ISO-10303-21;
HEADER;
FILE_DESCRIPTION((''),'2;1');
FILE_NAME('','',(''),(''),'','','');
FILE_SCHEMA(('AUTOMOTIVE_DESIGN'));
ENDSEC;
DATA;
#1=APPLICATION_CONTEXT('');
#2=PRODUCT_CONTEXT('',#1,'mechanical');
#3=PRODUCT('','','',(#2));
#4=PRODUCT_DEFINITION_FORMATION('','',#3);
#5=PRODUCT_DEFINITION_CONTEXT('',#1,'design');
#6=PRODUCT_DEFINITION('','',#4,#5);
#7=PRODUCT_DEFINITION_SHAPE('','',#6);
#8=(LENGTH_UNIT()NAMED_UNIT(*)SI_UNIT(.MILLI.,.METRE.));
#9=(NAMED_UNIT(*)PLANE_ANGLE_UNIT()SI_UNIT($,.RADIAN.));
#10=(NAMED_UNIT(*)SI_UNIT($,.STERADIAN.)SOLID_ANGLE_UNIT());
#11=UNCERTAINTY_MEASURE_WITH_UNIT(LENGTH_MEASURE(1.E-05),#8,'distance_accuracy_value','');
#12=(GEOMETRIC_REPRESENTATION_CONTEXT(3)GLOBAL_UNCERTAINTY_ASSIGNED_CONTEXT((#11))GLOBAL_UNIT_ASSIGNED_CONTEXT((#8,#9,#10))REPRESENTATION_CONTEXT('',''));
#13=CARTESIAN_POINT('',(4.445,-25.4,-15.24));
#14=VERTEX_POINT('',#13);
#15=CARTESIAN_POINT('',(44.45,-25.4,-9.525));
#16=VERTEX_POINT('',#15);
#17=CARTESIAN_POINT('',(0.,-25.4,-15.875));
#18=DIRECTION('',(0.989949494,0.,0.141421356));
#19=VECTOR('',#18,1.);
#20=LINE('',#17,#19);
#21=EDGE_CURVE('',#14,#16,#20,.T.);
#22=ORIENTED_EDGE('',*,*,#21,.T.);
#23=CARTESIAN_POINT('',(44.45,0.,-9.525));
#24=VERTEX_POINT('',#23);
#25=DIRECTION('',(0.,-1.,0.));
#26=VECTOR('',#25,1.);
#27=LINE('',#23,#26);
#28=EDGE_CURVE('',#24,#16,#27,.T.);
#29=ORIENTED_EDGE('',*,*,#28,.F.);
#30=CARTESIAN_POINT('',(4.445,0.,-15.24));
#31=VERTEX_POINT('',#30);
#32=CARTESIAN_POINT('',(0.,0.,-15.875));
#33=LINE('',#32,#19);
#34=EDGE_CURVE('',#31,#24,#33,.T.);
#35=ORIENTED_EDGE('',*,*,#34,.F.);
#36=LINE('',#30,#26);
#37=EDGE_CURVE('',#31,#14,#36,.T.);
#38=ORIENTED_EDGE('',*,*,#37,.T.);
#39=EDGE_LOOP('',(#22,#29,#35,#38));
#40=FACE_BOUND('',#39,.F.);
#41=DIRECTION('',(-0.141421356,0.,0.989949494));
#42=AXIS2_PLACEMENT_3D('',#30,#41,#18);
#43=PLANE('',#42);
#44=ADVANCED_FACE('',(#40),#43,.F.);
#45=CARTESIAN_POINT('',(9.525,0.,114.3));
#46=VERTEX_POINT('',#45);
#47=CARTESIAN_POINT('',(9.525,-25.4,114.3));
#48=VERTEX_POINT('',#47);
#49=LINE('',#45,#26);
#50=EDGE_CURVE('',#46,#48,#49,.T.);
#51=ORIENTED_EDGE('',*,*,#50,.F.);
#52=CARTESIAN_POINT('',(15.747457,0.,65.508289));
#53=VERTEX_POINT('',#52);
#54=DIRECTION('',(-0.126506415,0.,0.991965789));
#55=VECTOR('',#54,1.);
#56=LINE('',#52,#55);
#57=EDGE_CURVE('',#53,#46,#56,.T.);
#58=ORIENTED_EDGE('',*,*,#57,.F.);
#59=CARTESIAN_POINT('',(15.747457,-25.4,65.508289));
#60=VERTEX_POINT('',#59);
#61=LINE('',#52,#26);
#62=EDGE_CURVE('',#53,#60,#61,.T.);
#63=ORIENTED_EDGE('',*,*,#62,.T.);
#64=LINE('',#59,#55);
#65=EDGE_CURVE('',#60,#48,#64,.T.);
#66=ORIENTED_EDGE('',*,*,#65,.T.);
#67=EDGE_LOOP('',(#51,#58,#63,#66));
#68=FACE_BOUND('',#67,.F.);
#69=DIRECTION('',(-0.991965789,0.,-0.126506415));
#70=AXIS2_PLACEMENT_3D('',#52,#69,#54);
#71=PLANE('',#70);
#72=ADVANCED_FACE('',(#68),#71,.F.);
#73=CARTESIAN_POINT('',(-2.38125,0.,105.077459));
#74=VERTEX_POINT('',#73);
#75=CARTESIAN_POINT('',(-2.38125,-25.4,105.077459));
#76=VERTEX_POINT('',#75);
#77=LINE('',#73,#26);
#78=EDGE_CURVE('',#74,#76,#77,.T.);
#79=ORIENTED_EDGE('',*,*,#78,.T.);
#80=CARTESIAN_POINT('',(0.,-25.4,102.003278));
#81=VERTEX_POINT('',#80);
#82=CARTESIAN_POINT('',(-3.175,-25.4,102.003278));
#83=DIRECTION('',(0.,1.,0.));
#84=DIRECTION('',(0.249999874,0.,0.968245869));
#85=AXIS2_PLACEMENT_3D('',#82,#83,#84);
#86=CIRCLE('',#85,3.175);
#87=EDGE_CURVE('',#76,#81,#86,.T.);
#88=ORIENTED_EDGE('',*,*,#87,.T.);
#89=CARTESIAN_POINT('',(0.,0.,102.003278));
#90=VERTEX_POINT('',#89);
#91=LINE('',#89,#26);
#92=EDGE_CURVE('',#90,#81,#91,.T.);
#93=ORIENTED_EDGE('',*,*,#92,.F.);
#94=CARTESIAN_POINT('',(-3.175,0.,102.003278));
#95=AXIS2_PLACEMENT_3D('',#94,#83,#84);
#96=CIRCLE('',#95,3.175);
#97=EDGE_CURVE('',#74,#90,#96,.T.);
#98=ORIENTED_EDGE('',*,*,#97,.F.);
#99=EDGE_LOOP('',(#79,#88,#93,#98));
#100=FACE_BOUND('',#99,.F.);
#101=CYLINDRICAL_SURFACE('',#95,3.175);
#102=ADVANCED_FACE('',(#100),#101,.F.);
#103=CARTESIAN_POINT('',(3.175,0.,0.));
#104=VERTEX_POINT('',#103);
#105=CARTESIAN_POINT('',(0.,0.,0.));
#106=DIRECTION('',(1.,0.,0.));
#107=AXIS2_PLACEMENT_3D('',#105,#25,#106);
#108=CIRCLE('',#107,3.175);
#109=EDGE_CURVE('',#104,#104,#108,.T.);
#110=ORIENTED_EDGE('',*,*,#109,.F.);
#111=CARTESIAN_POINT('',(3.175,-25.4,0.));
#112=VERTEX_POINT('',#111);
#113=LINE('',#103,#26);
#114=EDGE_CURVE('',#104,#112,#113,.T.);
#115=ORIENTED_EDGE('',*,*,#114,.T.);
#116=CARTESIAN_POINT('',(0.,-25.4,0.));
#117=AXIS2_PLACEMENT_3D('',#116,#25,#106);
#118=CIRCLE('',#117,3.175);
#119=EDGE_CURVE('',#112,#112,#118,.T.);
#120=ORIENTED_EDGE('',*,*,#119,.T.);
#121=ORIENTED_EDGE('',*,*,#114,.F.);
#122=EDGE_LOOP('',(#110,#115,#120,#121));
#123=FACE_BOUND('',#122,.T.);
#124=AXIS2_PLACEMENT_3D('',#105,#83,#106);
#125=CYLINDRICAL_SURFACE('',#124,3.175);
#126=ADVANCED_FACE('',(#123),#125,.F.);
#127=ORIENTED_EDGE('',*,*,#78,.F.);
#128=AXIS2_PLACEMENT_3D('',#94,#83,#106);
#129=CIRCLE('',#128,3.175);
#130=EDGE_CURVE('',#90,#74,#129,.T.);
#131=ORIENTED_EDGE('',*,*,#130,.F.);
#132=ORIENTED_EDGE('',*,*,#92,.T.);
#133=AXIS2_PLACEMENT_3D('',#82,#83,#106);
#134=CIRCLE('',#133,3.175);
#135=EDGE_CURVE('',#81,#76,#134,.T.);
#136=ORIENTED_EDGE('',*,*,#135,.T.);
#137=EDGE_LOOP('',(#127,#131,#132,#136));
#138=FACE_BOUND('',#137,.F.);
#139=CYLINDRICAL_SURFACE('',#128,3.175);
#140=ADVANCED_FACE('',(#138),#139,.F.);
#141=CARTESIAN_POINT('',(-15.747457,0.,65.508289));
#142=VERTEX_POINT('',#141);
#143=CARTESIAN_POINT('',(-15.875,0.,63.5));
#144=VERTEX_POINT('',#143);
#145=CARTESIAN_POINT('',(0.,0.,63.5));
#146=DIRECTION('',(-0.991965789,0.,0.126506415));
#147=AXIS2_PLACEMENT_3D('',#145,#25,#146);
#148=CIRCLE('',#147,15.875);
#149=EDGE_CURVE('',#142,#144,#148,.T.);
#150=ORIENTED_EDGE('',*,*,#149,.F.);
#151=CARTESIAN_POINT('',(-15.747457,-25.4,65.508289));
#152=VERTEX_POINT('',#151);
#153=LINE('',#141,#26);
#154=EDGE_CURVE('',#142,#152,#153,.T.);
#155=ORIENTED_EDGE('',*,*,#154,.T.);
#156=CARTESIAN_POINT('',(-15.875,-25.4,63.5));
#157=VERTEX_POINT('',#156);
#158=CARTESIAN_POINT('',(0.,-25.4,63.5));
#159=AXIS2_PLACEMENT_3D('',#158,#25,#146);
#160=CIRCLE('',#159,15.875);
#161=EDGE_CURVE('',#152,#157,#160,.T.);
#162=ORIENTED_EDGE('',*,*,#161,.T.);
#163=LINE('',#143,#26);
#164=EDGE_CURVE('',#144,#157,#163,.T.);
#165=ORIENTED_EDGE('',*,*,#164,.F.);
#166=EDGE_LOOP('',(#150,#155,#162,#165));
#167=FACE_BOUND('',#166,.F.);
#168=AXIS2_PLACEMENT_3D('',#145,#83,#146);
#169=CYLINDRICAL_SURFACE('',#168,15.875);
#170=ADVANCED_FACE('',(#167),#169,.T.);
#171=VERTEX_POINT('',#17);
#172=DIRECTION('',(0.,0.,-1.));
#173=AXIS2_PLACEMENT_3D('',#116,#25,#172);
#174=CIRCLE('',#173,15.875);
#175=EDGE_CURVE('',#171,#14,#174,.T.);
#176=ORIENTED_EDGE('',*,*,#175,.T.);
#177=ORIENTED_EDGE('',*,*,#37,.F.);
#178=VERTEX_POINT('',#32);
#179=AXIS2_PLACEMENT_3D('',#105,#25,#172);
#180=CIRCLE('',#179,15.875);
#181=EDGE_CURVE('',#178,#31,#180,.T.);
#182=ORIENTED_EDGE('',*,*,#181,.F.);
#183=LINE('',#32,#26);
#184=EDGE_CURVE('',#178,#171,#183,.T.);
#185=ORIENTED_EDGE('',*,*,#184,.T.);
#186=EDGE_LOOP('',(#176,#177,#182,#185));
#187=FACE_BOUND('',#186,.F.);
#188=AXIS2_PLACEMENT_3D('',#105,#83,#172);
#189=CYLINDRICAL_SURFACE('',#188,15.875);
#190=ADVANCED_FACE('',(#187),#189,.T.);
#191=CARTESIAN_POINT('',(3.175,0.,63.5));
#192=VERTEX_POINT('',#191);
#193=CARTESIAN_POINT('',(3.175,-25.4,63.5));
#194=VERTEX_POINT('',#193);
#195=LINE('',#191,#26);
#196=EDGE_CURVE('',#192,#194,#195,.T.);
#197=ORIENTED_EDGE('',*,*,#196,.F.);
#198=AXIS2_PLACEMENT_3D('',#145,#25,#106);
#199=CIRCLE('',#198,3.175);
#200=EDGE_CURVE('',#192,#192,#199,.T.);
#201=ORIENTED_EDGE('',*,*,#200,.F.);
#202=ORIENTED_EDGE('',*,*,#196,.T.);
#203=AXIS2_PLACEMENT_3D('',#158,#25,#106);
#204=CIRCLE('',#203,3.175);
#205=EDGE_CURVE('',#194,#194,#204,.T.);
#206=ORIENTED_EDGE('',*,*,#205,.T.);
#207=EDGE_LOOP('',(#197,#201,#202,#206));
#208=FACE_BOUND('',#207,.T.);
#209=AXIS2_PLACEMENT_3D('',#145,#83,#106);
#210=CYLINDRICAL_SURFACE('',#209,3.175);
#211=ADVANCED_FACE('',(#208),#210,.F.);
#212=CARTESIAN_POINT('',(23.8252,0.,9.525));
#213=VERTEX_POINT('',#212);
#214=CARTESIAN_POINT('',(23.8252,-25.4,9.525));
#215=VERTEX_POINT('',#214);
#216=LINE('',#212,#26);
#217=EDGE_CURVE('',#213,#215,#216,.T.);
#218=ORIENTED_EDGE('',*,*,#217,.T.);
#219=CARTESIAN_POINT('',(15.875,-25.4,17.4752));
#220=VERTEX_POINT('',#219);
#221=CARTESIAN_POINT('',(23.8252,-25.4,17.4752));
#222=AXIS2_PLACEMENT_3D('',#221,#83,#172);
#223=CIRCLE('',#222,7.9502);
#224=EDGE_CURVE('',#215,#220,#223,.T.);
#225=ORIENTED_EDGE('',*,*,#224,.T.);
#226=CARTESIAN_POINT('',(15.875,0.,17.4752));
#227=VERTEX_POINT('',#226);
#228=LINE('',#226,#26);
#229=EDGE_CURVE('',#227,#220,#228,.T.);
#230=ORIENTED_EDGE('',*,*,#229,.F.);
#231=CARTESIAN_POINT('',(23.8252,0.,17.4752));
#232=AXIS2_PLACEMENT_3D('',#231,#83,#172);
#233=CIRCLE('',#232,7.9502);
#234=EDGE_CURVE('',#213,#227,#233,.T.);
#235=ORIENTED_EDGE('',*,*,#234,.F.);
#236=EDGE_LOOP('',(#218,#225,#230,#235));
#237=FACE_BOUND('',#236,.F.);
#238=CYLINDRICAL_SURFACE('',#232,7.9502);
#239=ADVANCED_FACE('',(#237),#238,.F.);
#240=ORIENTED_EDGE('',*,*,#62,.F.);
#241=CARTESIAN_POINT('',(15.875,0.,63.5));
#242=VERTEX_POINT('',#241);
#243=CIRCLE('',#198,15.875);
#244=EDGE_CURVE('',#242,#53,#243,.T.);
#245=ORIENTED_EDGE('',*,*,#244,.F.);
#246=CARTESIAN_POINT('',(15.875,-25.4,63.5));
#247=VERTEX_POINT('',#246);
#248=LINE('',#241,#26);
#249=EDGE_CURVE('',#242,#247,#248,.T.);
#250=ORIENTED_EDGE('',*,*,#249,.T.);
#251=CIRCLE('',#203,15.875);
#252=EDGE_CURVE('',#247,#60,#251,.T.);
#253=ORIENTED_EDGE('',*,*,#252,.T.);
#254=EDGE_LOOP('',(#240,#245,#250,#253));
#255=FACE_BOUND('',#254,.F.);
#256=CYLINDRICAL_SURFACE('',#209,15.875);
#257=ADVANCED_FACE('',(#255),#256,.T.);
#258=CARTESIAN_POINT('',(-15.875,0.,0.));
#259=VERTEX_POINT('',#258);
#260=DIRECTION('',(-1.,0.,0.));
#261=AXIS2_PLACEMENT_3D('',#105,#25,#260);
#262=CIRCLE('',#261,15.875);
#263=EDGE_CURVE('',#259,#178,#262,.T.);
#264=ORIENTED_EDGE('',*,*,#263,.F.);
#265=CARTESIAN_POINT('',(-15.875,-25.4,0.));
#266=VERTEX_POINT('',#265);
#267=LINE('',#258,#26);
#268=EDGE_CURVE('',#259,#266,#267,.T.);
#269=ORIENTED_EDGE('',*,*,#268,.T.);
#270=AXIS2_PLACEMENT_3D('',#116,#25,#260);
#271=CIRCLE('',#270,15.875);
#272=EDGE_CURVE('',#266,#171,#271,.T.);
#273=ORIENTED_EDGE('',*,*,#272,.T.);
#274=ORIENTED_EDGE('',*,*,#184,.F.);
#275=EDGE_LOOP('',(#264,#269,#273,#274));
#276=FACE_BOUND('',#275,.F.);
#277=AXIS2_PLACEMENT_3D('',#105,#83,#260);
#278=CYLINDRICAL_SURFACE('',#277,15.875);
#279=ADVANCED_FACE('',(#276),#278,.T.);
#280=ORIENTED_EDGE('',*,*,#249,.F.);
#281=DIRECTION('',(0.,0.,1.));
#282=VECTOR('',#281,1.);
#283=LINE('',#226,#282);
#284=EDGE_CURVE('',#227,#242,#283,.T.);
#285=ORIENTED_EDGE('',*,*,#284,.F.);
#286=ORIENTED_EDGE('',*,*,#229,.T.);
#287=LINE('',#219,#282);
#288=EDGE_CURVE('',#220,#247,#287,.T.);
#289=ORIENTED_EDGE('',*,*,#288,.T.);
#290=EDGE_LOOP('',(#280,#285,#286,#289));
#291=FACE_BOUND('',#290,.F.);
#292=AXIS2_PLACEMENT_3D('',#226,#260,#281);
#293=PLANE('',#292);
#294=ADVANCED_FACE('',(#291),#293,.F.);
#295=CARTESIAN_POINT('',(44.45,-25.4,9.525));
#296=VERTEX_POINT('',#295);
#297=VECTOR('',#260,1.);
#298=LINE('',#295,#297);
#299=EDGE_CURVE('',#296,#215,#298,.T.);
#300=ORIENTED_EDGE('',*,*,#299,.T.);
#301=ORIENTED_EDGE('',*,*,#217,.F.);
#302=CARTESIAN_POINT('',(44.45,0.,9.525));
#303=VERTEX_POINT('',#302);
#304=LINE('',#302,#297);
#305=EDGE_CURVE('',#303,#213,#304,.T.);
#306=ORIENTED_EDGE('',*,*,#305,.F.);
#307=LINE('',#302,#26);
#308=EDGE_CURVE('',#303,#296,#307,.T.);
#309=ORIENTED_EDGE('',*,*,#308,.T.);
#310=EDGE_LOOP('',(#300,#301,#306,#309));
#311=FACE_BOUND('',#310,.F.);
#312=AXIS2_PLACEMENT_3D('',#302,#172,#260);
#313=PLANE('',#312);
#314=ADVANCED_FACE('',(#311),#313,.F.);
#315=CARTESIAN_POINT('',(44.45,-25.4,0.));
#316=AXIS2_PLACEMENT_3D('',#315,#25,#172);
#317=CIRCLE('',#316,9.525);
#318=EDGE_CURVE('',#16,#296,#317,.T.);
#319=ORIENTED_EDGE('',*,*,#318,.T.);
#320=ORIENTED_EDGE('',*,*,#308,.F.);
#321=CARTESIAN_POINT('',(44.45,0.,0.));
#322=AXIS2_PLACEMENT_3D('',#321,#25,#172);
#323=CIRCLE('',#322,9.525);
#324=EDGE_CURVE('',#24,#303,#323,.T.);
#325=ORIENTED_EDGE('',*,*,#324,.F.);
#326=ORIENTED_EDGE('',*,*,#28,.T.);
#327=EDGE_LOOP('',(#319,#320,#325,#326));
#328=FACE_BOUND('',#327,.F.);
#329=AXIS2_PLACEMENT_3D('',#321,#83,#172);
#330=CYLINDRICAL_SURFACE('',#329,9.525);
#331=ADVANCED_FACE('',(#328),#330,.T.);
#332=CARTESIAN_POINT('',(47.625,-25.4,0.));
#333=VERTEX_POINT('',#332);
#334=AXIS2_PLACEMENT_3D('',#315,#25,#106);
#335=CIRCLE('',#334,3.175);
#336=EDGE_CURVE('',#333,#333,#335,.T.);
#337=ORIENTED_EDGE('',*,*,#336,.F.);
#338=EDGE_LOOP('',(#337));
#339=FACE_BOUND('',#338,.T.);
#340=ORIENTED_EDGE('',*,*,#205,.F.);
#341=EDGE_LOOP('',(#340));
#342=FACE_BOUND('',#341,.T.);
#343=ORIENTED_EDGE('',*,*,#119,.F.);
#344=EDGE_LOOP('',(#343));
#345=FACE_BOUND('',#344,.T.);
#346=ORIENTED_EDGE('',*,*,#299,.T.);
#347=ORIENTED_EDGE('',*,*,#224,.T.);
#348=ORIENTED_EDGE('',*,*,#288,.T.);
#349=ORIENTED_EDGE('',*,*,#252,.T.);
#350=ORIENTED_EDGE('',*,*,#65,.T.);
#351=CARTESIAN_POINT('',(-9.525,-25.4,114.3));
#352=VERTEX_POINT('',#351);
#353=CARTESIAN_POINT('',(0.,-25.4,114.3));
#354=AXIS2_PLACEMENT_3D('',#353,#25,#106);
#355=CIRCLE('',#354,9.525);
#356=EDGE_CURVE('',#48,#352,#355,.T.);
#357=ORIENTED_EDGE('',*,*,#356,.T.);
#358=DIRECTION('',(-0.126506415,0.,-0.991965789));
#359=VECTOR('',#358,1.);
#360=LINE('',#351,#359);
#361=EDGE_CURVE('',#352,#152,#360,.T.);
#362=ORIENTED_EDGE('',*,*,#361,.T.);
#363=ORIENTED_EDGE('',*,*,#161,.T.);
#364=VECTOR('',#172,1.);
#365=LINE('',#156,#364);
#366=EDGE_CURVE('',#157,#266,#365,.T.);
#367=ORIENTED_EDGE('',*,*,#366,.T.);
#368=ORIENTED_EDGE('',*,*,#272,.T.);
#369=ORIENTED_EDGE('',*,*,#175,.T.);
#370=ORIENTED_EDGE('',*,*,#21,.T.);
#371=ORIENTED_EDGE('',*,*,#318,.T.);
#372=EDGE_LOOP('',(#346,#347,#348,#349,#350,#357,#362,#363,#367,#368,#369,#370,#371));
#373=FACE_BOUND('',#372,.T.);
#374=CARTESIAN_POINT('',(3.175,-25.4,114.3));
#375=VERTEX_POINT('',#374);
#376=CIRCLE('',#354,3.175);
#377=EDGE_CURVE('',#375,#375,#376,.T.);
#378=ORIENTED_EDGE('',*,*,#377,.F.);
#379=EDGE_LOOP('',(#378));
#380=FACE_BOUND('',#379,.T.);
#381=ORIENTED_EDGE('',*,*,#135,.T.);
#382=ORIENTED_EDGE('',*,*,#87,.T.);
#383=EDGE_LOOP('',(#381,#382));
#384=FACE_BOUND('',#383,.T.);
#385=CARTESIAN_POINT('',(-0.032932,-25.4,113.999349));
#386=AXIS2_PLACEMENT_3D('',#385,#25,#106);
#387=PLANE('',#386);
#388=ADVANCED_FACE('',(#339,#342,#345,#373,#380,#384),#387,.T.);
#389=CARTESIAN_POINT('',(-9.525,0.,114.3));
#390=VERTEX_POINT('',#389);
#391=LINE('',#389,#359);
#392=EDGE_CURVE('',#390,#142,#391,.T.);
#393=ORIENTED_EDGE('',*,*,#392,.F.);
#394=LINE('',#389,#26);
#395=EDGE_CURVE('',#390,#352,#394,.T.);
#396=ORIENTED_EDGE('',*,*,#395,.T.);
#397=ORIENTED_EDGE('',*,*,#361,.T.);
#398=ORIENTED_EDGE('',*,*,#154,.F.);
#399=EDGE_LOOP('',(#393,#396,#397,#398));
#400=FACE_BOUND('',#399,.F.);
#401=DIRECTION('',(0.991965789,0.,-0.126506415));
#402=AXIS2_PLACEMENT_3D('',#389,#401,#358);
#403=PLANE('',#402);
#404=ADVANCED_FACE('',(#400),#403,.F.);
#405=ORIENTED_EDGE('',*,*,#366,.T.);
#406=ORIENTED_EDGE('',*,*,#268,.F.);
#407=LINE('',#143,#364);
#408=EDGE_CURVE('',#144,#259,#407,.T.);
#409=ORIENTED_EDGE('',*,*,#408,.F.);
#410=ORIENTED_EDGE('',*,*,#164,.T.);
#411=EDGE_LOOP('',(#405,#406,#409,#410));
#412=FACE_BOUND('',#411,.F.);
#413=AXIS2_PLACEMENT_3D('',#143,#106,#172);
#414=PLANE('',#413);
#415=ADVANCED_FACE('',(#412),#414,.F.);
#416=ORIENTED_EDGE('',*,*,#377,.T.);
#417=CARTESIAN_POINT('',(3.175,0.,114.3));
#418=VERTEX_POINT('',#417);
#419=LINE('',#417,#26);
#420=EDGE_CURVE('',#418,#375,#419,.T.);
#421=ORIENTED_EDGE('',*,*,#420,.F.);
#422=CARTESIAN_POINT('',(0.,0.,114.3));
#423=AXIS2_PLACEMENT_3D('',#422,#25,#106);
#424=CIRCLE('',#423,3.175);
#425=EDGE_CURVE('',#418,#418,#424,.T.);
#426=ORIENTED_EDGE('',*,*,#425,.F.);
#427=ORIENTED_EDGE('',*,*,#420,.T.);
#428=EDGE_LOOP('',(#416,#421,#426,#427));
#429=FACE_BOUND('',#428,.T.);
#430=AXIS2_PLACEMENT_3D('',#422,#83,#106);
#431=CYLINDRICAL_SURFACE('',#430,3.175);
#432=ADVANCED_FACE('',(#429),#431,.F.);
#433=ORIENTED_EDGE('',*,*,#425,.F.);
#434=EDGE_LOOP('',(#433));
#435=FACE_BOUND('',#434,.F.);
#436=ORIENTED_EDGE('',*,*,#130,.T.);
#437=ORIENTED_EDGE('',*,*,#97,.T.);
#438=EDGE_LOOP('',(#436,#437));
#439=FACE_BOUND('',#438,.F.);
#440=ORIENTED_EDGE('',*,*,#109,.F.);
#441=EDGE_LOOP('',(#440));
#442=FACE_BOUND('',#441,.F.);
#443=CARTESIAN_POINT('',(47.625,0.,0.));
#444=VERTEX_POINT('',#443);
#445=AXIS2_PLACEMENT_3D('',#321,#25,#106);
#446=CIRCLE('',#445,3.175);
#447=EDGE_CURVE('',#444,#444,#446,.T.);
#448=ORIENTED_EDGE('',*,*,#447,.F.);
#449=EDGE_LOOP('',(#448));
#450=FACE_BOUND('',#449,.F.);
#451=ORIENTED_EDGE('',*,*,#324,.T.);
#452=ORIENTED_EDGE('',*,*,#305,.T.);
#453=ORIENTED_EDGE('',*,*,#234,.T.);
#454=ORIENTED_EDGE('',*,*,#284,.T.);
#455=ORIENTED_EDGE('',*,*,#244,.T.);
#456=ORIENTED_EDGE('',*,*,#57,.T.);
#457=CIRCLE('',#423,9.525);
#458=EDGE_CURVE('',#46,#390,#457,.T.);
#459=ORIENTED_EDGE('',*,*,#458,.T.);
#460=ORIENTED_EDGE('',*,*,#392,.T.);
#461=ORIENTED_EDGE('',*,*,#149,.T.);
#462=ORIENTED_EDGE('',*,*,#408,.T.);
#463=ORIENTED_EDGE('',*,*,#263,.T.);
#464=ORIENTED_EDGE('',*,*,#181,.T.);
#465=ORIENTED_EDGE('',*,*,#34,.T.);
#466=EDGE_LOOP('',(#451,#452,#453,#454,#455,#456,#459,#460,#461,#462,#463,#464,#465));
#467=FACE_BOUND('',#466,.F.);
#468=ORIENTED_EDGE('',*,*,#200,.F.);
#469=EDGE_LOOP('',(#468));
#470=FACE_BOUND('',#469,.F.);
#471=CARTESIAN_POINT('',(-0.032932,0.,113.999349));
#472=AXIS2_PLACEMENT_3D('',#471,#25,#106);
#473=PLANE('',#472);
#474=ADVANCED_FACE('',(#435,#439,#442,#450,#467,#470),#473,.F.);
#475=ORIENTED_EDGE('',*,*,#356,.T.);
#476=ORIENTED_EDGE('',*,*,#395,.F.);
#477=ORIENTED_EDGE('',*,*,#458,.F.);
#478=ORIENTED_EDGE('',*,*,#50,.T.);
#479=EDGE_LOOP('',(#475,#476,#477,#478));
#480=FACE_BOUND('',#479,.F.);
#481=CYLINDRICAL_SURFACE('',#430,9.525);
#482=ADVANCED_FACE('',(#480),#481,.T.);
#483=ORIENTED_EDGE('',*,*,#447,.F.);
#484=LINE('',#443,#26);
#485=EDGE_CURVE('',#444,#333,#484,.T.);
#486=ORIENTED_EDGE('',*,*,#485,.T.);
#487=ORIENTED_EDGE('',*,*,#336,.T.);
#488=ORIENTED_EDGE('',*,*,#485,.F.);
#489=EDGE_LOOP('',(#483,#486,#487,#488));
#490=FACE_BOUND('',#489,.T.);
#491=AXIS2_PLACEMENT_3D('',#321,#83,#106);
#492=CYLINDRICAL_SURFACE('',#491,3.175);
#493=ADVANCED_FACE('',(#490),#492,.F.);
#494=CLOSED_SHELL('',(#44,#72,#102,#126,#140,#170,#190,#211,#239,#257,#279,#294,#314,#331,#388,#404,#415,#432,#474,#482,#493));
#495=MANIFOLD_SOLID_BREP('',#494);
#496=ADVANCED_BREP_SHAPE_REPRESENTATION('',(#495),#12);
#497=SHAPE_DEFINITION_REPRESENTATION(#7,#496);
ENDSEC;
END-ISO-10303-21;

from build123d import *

# Parameters (mm, degrees)
F0_R     = 3.175
F1_DEPTH = 25.4


with BuildPart() as f1:
    # F0 (on Front) → F1 (new body)
    with BuildSketch(Plane.XZ):
        with BuildLine():
            ThreePointArc((-2.3812504012, 105.0774585104), (5.8328472862, 106.7698261948), (9.525, 114.3))
            ThreePointArc((9.525, 114.3), (0, 123.825), (-9.525, 114.3))
            ThreePointArc((-9.525, 114.3), (-7.5301738052, 108.4671527138), (-2.3812504012, 105.0774585104))
        make_face()
        with Locations((0, 114.3)):
            Circle(F0_R, mode=Mode.SUBTRACT)
        with BuildLine():
            Line((15.7474569047, 65.5082893304), (9.525, 114.3))
            ThreePointArc((9.525, 114.3), (5.8328472862, 106.7698261948), (-2.3812504012, 105.0774585104))
            ThreePointArc((-2.3812504012, 105.0774585104), (-7.5301738052, 108.4671527138), (-9.525, 114.3))
            Line((-9.525, 114.3), (-15.7474569047, 65.5082893304))
            ThreePointArc((-15.7474569047, 65.5082893304), (0, 79.375), (15.7474569047, 65.5082893304))
        make_face()
        with BuildLine():
            ThreePointArc((0, 102.0032778758), (-5.6850577659, 100.0589952287), (-2.3812504012, 105.0774585104))
            ThreePointArc((-2.3812504012, 105.0774585104), (-0.6649422341, 103.9475605229), (0, 102.0032778758))
        make_face(mode=Mode.SUBTRACT)
        with BuildLine():
            ThreePointArc((15.875, 63.5), (15.8430821396, 64.5061676396), (15.7474569047, 65.5082893304))
            ThreePointArc((15.7474569047, 65.5082893304), (0, 79.375), (-15.7474569047, 65.5082893304))
            ThreePointArc((-15.7474569047, 65.5082893304), (-15.8430821396, 64.5061676396), (-15.875, 63.5))
            ThreePointArc((-15.875, 63.5), (0, 47.625), (15.875, 63.5))
        make_face()
        with Locations((0, 63.5)):
            Circle(F0_R, mode=Mode.SUBTRACT)
        with BuildLine():
            Line((15.875, 17.4752), (15.875, 63.5))
            ThreePointArc((15.875, 63.5), (0, 47.625), (-15.875, 63.5))
            Line((-15.875, 63.5), (-15.875, 0))
            ThreePointArc((-15.875, 0), (0, 15.875), (15.875, 0))
            ThreePointArc((15.875, 0), (12.7, -9.525), (4.445, -15.24))
            Line((4.445, -15.24), (44.45, -9.525))
            ThreePointArc((44.45, -9.525), (34.925, 0), (44.45, 9.525))
            Line((44.45, 9.525), (23.8252, 9.525))
            ThreePointArc((23.8252, 9.525), (18.2035596682, 11.8535596682), (15.875, 17.4752))
        make_face()
        with BuildLine():
            ThreePointArc((15.875, 0), (0, 15.875), (-15.875, 0))
            ThreePointArc((-15.875, 0), (-11.2253201513, -11.2253201513), (0, -15.875))
            Line((0, -15.875), (4.445, -15.24))
            ThreePointArc((4.445, -15.24), (12.7, -9.525), (15.875, 0))
        make_face()
        Circle(F0_R, mode=Mode.SUBTRACT)
        with BuildLine():
            Line((4.445, -15.24), (0, -15.875))
            ThreePointArc((0, -15.875), (2.2450640303, -15.7154482119), (4.445, -15.24))
        make_face()
        with BuildLine():
            ThreePointArc((53.975, 0), (51.1851920908, 6.7351920908), (44.45, 9.525))
            ThreePointArc((44.45, 9.525), (34.925, 0), (44.45, -9.525))
            ThreePointArc((44.45, -9.525), (51.1851920908, -6.7351920908), (53.975, 0))
        make_face()
        with Locations((44.45, 0)):
            Circle(F0_R, mode=Mode.SUBTRACT)
    extrude(amount=F1_DEPTH)


solid = f1.part
